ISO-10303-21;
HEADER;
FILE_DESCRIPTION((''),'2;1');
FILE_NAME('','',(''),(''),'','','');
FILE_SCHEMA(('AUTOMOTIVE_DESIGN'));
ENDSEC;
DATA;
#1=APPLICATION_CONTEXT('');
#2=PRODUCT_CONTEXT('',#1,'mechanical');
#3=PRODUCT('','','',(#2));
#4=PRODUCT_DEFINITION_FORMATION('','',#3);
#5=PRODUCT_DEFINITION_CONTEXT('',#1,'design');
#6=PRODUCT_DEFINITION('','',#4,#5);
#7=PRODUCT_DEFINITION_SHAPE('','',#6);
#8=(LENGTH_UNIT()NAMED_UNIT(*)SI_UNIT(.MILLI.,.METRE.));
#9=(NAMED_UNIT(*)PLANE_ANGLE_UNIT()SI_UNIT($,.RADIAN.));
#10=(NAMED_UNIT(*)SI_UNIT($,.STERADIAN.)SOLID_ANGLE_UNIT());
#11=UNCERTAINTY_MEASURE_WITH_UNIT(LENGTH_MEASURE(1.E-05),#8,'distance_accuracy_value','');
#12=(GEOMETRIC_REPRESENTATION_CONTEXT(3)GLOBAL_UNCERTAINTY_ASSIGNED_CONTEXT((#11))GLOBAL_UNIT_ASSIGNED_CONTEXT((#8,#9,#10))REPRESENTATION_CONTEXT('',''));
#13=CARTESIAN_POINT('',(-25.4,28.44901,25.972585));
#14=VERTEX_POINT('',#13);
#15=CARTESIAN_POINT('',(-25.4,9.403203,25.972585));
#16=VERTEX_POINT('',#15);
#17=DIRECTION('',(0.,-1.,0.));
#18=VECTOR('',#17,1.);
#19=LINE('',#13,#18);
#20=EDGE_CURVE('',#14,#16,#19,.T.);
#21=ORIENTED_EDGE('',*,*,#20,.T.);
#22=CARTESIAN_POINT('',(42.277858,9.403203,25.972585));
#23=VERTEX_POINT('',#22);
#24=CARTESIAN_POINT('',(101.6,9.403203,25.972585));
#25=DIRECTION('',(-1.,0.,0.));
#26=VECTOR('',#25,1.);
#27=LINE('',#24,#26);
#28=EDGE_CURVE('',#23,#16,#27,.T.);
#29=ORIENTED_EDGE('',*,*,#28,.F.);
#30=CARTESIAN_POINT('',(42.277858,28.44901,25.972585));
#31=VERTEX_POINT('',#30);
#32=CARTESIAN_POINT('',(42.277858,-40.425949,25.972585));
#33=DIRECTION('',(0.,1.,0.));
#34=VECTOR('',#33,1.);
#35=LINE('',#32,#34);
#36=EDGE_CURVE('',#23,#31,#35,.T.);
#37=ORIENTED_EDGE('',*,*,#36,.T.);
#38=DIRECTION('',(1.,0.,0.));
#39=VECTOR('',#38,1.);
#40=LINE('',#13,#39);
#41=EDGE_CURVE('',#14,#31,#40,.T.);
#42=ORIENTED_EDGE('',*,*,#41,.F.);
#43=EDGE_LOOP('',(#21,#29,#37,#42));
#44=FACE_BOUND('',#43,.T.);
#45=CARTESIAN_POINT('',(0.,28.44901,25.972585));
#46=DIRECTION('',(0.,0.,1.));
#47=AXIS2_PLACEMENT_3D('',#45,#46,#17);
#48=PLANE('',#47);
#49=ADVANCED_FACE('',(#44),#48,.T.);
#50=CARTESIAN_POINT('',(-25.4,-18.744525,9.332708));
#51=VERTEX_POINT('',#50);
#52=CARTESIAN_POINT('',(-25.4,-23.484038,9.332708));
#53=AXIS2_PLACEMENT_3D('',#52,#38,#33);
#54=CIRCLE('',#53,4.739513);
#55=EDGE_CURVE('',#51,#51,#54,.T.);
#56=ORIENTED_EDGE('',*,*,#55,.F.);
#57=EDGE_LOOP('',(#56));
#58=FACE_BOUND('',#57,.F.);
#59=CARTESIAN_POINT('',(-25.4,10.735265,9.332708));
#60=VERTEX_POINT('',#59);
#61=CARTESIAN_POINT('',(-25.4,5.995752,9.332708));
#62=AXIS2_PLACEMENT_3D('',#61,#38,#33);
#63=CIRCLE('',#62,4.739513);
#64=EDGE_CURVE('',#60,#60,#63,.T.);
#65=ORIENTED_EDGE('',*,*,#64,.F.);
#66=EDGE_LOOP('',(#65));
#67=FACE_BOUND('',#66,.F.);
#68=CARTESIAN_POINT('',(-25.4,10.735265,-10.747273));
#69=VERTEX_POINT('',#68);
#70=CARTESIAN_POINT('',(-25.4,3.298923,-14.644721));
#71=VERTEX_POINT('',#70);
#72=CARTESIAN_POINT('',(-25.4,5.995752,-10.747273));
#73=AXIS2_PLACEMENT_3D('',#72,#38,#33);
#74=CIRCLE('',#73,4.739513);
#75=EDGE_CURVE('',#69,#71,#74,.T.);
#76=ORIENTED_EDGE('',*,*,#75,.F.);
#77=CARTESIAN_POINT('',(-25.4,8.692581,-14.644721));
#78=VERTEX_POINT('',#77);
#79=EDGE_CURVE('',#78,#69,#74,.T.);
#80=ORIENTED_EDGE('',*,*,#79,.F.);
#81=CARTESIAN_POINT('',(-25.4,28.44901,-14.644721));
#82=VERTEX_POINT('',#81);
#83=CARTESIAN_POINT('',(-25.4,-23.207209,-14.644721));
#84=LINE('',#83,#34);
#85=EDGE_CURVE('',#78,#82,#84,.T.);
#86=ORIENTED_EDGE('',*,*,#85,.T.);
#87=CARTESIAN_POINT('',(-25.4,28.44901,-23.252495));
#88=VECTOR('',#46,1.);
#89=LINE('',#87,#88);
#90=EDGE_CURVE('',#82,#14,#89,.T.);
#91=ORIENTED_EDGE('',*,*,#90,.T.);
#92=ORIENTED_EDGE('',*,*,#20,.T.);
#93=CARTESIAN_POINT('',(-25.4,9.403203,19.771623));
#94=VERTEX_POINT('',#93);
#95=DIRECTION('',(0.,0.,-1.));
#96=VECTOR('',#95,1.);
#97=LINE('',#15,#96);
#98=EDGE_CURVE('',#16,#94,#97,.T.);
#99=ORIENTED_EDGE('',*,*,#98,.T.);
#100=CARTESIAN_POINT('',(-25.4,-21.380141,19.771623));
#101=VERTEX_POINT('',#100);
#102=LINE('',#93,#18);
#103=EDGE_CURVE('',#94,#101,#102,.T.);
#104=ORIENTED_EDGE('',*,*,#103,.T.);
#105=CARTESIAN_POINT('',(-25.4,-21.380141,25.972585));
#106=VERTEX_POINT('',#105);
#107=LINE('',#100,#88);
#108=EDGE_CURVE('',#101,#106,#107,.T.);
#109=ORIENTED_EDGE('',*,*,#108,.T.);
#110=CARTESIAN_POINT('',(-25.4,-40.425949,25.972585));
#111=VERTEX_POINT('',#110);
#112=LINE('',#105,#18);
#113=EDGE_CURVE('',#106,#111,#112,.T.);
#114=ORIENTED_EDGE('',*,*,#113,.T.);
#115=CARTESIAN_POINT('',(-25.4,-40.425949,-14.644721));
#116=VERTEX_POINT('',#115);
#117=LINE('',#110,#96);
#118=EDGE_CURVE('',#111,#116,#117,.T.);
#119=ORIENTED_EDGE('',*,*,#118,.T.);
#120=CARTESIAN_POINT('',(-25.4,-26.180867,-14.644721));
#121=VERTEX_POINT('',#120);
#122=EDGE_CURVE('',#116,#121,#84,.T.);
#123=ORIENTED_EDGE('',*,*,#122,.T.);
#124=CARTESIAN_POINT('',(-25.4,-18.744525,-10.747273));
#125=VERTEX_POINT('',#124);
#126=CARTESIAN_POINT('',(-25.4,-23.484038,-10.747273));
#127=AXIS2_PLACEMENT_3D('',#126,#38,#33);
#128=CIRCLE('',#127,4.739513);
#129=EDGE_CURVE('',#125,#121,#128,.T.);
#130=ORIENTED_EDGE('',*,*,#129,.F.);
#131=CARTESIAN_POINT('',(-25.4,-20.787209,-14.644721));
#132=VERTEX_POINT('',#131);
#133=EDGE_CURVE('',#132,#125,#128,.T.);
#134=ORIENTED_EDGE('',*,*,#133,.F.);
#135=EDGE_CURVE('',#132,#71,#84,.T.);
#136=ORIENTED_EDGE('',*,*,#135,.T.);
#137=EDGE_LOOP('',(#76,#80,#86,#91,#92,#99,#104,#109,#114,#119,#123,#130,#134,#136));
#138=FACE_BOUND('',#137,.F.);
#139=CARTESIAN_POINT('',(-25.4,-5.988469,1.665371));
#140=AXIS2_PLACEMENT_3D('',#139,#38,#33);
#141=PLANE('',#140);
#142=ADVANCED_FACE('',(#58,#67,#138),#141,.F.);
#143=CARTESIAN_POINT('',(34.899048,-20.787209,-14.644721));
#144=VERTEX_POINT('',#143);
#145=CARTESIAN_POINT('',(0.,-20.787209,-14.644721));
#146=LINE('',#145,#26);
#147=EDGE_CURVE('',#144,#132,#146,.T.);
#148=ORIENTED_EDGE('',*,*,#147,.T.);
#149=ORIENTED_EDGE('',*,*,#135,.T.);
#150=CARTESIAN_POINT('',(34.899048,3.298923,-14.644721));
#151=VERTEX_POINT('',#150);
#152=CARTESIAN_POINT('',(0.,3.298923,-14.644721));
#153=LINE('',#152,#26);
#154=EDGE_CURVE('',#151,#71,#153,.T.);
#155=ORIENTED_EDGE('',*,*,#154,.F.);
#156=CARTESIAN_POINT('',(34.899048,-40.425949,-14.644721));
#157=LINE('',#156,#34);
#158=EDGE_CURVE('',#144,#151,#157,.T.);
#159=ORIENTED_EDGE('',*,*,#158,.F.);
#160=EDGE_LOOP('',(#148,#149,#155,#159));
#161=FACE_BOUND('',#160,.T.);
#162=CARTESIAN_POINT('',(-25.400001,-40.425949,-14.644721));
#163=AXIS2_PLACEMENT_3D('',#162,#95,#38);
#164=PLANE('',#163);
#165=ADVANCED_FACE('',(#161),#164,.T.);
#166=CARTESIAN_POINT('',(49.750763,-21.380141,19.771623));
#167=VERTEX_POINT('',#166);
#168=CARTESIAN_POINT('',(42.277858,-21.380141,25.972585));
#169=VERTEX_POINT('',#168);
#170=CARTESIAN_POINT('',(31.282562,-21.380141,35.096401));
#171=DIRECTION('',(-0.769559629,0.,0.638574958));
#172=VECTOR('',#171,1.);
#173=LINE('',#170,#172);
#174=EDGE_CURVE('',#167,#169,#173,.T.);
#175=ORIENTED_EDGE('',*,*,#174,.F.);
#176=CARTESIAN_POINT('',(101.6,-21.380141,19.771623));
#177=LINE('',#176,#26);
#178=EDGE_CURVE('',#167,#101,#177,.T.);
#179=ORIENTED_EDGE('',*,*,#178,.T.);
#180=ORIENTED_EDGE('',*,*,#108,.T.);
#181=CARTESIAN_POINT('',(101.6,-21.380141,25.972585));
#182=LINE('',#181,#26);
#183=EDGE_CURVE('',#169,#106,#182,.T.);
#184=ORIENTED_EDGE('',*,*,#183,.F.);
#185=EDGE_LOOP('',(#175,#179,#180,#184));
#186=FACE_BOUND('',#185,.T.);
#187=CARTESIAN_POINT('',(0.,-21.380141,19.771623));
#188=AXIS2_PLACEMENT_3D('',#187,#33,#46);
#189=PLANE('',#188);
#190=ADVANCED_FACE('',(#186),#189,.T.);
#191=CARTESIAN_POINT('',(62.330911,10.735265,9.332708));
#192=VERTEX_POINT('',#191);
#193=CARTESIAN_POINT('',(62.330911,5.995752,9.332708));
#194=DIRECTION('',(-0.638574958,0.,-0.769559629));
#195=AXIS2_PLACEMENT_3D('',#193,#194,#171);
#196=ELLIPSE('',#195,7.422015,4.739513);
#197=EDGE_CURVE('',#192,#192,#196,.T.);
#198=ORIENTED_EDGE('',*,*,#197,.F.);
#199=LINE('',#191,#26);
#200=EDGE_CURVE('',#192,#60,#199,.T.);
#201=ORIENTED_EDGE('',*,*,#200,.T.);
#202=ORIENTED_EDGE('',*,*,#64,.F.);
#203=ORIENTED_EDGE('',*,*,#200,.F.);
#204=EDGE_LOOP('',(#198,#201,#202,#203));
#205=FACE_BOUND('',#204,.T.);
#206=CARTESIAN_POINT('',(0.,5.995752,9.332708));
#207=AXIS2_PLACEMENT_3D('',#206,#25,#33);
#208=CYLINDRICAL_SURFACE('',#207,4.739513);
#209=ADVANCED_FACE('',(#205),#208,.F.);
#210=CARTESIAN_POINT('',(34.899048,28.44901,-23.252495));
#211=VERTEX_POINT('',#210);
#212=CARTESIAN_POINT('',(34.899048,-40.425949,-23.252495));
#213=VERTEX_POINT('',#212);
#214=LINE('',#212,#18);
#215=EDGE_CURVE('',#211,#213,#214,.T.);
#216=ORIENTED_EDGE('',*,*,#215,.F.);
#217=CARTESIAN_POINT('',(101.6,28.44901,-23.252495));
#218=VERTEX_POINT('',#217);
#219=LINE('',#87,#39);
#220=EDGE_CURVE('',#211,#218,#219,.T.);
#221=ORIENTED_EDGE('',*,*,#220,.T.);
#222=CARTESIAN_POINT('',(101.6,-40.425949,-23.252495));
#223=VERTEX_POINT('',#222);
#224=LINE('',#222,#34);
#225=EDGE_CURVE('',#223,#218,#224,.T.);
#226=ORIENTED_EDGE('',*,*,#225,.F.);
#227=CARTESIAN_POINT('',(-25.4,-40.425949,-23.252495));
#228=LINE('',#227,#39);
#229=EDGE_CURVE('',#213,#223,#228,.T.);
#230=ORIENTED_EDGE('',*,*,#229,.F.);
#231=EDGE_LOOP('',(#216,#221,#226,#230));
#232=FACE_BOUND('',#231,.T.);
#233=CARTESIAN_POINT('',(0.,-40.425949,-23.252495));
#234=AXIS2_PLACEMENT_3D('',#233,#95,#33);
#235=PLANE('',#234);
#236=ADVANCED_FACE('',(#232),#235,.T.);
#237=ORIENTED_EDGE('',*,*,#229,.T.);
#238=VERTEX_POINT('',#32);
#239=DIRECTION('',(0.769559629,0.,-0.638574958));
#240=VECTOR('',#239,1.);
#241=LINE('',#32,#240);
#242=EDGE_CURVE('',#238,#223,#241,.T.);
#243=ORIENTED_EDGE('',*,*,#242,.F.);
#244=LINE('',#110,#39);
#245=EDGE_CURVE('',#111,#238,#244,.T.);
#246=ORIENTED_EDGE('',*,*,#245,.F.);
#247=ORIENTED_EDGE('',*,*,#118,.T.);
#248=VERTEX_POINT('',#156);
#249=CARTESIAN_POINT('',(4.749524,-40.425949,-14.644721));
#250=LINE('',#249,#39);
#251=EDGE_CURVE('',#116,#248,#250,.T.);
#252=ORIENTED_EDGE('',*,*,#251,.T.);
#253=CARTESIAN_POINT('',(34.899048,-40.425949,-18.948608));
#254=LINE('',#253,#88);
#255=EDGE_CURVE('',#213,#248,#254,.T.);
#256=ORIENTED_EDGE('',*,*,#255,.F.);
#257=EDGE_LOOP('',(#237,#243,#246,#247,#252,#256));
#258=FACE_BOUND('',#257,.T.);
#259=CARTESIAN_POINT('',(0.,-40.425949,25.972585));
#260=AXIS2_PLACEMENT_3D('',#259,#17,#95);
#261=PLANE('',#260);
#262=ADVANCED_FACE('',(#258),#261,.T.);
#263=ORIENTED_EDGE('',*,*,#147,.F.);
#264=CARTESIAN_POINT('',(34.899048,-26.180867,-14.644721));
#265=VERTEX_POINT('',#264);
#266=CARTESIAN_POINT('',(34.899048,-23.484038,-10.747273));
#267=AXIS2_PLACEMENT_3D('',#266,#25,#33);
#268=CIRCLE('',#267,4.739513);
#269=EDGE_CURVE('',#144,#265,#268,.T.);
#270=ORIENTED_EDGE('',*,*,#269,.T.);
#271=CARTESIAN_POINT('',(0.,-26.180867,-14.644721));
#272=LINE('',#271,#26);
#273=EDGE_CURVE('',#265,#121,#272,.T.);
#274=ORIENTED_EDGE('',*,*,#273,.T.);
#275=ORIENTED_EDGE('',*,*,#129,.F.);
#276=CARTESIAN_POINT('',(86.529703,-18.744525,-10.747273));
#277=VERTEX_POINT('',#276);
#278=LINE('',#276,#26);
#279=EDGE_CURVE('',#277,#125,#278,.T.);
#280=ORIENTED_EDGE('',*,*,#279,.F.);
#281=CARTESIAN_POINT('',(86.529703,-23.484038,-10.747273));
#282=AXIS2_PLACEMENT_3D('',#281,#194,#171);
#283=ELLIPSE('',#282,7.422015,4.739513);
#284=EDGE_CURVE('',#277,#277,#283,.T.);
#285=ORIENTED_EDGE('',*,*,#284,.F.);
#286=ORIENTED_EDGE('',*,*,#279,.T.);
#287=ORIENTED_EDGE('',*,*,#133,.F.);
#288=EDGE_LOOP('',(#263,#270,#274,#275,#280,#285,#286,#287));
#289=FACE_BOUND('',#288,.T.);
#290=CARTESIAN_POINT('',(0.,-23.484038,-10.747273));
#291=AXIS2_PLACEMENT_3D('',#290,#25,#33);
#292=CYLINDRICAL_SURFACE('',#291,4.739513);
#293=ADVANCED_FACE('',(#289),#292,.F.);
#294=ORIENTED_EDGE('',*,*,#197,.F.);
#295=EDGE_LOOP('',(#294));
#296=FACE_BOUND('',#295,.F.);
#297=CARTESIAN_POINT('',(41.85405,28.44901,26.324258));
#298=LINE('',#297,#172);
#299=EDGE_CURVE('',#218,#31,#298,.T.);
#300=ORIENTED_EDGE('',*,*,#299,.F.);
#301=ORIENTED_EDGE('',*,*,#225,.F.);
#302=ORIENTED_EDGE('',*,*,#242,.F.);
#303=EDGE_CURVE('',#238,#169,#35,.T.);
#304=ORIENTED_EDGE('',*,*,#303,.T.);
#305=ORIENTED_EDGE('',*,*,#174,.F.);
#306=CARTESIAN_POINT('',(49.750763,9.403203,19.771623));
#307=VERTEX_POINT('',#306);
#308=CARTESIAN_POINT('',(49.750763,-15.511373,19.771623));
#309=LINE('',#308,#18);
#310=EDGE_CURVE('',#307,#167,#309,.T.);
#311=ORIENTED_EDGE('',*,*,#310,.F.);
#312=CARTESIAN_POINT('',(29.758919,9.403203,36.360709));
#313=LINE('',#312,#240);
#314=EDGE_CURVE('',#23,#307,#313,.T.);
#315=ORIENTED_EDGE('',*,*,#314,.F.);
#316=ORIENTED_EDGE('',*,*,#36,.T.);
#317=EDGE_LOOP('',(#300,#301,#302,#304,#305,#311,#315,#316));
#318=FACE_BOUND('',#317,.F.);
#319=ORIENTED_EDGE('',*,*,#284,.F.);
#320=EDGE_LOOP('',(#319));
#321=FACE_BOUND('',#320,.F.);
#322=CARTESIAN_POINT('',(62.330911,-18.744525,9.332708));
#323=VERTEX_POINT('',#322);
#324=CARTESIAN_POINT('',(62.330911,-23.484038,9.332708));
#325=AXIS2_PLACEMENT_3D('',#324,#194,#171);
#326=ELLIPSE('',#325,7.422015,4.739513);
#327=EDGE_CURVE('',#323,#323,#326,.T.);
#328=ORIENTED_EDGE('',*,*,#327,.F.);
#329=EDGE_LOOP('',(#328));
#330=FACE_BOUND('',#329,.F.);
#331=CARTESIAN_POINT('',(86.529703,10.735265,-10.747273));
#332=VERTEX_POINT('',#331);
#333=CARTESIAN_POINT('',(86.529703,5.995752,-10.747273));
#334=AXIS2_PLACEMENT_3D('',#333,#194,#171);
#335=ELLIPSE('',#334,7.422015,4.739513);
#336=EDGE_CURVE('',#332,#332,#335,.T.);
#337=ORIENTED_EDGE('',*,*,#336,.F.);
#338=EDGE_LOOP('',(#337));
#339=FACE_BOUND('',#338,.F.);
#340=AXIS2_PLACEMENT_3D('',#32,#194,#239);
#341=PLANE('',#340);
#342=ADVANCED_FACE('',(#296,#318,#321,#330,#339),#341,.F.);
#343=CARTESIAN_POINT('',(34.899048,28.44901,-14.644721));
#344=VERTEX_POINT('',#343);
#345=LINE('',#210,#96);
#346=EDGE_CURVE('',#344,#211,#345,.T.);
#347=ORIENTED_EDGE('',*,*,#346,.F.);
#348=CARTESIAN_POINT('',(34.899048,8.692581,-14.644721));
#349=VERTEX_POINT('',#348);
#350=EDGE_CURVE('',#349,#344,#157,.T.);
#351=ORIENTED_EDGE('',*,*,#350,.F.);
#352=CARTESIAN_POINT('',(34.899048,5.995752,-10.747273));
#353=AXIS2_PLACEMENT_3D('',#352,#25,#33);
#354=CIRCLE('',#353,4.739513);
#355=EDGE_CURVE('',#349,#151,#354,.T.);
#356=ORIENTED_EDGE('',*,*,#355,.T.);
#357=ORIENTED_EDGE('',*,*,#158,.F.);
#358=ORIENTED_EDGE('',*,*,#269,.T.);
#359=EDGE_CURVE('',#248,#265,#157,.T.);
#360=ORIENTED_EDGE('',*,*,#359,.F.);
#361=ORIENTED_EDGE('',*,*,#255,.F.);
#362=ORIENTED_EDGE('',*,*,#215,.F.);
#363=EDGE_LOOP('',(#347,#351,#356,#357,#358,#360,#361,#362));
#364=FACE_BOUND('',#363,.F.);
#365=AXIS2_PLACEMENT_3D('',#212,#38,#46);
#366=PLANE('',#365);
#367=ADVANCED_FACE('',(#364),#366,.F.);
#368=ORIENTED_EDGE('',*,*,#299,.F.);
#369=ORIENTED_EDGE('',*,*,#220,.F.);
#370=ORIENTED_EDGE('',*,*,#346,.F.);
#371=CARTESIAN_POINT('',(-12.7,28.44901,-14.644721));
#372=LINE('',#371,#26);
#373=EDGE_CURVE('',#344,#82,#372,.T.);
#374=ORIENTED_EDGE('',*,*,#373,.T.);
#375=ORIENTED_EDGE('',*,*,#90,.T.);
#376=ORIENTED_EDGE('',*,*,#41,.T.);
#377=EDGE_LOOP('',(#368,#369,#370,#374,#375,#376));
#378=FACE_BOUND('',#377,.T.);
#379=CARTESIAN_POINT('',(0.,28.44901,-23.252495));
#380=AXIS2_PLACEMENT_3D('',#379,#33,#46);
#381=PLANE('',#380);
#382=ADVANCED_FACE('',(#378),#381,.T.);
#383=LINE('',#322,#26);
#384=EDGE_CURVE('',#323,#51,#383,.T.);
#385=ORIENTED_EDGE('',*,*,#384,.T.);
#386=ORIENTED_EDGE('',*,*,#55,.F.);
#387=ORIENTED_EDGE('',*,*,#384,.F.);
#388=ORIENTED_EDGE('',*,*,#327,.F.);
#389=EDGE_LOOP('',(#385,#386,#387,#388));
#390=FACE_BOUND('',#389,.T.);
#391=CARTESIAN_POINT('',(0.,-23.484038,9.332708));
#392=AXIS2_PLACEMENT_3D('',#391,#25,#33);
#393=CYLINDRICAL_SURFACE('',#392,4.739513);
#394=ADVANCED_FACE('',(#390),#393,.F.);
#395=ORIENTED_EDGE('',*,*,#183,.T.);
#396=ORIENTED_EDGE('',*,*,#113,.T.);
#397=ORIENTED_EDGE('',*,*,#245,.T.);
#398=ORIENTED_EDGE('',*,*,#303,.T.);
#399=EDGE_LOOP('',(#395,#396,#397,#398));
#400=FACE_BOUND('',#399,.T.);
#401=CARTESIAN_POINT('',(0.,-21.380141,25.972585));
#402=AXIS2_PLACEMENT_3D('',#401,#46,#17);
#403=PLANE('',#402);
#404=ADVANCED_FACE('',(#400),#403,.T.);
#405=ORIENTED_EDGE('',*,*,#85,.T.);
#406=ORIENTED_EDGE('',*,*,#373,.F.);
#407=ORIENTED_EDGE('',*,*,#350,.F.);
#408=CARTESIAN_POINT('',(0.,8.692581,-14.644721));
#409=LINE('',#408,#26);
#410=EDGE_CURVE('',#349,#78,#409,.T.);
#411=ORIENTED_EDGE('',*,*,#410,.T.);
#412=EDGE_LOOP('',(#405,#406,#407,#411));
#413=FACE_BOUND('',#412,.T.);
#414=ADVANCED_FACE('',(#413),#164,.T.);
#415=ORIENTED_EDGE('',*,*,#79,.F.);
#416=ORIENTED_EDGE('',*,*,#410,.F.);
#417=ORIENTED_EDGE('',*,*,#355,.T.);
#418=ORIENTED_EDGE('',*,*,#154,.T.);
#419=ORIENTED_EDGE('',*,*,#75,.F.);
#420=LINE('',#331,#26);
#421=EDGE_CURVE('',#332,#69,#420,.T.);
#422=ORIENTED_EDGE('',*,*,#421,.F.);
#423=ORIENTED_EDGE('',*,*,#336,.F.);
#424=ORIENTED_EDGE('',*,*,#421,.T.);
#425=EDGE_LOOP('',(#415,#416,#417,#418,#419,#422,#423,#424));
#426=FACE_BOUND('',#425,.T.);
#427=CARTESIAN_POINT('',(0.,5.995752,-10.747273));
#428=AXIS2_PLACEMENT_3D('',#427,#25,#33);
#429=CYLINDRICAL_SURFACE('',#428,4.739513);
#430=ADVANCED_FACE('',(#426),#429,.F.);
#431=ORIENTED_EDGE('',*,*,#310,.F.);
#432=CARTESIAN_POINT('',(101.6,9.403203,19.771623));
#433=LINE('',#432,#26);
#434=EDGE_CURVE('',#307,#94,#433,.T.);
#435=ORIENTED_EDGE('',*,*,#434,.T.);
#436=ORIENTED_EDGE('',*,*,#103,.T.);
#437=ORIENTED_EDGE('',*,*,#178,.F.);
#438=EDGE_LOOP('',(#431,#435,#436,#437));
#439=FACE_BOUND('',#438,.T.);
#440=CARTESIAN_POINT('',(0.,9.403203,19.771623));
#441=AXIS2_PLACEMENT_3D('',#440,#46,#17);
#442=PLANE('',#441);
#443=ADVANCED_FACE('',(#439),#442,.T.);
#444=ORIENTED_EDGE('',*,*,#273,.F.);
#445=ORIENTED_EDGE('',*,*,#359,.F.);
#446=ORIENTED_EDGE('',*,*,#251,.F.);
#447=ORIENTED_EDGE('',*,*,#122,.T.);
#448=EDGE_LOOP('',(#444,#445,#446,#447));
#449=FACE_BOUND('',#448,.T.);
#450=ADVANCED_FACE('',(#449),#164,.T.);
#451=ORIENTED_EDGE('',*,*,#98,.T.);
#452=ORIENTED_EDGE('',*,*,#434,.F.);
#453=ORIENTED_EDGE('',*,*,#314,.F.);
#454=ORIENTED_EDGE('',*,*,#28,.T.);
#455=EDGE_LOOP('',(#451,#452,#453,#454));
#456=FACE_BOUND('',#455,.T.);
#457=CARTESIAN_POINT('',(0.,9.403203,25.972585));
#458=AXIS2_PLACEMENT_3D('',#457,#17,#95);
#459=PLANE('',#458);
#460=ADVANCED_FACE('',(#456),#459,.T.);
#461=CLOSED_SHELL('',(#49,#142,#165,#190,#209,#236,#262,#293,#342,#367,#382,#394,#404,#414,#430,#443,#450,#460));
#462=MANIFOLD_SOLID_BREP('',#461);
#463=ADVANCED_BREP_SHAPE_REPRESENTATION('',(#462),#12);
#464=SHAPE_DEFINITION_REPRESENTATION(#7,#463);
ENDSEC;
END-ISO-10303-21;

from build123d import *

# Parameters (mm, degrees)
F0_R          = 4.739513
F1_DEPTH      = 101.6
F1_DEPTH_BACK = 25.4
F3_DEPTH      = 68.875959
F4_W          = 60.299049
F4_H          = 8.607775
F5_DEPTH      = 68.875959


with BuildPart() as f1:
    # F0 (on Right) → F1 (new body, two sides)
    with BuildSketch(Plane.YZ) as f1_sk:
        Polygon((-21.380141, 25.972585), (-40.425949, 25.972585), (-40.425949, -23.252495), (28.44901, -23.252495), (28.44901, 25.972585), (9.403203, 25.972585), (9.403203, 19.771623), (-21.380141, 19.771623), align=None)
        with Locations((-23.484038, -10.747273)):
            Circle(F0_R, mode=Mode.SUBTRACT)
        with Locations((5.995752, -10.747273)):
            Circle(F0_R, mode=Mode.SUBTRACT)
        with Locations((-23.484038, 9.332708)):
            Circle(F0_R, mode=Mode.SUBTRACT)
        with Locations((5.995752, 9.332708)):
            Circle(F0_R, mode=Mode.SUBTRACT)
    extrude(amount=F1_DEPTH)
    extrude(f1_sk.sketch, amount=-F1_DEPTH_BACK)

    # F2 (on face) → F3 (cut, through all)
    with BuildSketch(Plane.XZ.offset(40.425949)):
        Polygon((101.6, 25.972585), (42.277858, 25.972585), (101.6, -23.252495), align=None)
    extrude(amount=-F3_DEPTH, mode=Mode.SUBTRACT)

    # F4 (on face) → F5 (cut, through all)
    with BuildSketch(Plane.XZ.offset(40.425949)):
        with Locations((4.749524, -18.948608)):
            Rectangle(F4_W, F4_H)
    extrude(amount=-F5_DEPTH, mode=Mode.SUBTRACT)


solid = f1.part
